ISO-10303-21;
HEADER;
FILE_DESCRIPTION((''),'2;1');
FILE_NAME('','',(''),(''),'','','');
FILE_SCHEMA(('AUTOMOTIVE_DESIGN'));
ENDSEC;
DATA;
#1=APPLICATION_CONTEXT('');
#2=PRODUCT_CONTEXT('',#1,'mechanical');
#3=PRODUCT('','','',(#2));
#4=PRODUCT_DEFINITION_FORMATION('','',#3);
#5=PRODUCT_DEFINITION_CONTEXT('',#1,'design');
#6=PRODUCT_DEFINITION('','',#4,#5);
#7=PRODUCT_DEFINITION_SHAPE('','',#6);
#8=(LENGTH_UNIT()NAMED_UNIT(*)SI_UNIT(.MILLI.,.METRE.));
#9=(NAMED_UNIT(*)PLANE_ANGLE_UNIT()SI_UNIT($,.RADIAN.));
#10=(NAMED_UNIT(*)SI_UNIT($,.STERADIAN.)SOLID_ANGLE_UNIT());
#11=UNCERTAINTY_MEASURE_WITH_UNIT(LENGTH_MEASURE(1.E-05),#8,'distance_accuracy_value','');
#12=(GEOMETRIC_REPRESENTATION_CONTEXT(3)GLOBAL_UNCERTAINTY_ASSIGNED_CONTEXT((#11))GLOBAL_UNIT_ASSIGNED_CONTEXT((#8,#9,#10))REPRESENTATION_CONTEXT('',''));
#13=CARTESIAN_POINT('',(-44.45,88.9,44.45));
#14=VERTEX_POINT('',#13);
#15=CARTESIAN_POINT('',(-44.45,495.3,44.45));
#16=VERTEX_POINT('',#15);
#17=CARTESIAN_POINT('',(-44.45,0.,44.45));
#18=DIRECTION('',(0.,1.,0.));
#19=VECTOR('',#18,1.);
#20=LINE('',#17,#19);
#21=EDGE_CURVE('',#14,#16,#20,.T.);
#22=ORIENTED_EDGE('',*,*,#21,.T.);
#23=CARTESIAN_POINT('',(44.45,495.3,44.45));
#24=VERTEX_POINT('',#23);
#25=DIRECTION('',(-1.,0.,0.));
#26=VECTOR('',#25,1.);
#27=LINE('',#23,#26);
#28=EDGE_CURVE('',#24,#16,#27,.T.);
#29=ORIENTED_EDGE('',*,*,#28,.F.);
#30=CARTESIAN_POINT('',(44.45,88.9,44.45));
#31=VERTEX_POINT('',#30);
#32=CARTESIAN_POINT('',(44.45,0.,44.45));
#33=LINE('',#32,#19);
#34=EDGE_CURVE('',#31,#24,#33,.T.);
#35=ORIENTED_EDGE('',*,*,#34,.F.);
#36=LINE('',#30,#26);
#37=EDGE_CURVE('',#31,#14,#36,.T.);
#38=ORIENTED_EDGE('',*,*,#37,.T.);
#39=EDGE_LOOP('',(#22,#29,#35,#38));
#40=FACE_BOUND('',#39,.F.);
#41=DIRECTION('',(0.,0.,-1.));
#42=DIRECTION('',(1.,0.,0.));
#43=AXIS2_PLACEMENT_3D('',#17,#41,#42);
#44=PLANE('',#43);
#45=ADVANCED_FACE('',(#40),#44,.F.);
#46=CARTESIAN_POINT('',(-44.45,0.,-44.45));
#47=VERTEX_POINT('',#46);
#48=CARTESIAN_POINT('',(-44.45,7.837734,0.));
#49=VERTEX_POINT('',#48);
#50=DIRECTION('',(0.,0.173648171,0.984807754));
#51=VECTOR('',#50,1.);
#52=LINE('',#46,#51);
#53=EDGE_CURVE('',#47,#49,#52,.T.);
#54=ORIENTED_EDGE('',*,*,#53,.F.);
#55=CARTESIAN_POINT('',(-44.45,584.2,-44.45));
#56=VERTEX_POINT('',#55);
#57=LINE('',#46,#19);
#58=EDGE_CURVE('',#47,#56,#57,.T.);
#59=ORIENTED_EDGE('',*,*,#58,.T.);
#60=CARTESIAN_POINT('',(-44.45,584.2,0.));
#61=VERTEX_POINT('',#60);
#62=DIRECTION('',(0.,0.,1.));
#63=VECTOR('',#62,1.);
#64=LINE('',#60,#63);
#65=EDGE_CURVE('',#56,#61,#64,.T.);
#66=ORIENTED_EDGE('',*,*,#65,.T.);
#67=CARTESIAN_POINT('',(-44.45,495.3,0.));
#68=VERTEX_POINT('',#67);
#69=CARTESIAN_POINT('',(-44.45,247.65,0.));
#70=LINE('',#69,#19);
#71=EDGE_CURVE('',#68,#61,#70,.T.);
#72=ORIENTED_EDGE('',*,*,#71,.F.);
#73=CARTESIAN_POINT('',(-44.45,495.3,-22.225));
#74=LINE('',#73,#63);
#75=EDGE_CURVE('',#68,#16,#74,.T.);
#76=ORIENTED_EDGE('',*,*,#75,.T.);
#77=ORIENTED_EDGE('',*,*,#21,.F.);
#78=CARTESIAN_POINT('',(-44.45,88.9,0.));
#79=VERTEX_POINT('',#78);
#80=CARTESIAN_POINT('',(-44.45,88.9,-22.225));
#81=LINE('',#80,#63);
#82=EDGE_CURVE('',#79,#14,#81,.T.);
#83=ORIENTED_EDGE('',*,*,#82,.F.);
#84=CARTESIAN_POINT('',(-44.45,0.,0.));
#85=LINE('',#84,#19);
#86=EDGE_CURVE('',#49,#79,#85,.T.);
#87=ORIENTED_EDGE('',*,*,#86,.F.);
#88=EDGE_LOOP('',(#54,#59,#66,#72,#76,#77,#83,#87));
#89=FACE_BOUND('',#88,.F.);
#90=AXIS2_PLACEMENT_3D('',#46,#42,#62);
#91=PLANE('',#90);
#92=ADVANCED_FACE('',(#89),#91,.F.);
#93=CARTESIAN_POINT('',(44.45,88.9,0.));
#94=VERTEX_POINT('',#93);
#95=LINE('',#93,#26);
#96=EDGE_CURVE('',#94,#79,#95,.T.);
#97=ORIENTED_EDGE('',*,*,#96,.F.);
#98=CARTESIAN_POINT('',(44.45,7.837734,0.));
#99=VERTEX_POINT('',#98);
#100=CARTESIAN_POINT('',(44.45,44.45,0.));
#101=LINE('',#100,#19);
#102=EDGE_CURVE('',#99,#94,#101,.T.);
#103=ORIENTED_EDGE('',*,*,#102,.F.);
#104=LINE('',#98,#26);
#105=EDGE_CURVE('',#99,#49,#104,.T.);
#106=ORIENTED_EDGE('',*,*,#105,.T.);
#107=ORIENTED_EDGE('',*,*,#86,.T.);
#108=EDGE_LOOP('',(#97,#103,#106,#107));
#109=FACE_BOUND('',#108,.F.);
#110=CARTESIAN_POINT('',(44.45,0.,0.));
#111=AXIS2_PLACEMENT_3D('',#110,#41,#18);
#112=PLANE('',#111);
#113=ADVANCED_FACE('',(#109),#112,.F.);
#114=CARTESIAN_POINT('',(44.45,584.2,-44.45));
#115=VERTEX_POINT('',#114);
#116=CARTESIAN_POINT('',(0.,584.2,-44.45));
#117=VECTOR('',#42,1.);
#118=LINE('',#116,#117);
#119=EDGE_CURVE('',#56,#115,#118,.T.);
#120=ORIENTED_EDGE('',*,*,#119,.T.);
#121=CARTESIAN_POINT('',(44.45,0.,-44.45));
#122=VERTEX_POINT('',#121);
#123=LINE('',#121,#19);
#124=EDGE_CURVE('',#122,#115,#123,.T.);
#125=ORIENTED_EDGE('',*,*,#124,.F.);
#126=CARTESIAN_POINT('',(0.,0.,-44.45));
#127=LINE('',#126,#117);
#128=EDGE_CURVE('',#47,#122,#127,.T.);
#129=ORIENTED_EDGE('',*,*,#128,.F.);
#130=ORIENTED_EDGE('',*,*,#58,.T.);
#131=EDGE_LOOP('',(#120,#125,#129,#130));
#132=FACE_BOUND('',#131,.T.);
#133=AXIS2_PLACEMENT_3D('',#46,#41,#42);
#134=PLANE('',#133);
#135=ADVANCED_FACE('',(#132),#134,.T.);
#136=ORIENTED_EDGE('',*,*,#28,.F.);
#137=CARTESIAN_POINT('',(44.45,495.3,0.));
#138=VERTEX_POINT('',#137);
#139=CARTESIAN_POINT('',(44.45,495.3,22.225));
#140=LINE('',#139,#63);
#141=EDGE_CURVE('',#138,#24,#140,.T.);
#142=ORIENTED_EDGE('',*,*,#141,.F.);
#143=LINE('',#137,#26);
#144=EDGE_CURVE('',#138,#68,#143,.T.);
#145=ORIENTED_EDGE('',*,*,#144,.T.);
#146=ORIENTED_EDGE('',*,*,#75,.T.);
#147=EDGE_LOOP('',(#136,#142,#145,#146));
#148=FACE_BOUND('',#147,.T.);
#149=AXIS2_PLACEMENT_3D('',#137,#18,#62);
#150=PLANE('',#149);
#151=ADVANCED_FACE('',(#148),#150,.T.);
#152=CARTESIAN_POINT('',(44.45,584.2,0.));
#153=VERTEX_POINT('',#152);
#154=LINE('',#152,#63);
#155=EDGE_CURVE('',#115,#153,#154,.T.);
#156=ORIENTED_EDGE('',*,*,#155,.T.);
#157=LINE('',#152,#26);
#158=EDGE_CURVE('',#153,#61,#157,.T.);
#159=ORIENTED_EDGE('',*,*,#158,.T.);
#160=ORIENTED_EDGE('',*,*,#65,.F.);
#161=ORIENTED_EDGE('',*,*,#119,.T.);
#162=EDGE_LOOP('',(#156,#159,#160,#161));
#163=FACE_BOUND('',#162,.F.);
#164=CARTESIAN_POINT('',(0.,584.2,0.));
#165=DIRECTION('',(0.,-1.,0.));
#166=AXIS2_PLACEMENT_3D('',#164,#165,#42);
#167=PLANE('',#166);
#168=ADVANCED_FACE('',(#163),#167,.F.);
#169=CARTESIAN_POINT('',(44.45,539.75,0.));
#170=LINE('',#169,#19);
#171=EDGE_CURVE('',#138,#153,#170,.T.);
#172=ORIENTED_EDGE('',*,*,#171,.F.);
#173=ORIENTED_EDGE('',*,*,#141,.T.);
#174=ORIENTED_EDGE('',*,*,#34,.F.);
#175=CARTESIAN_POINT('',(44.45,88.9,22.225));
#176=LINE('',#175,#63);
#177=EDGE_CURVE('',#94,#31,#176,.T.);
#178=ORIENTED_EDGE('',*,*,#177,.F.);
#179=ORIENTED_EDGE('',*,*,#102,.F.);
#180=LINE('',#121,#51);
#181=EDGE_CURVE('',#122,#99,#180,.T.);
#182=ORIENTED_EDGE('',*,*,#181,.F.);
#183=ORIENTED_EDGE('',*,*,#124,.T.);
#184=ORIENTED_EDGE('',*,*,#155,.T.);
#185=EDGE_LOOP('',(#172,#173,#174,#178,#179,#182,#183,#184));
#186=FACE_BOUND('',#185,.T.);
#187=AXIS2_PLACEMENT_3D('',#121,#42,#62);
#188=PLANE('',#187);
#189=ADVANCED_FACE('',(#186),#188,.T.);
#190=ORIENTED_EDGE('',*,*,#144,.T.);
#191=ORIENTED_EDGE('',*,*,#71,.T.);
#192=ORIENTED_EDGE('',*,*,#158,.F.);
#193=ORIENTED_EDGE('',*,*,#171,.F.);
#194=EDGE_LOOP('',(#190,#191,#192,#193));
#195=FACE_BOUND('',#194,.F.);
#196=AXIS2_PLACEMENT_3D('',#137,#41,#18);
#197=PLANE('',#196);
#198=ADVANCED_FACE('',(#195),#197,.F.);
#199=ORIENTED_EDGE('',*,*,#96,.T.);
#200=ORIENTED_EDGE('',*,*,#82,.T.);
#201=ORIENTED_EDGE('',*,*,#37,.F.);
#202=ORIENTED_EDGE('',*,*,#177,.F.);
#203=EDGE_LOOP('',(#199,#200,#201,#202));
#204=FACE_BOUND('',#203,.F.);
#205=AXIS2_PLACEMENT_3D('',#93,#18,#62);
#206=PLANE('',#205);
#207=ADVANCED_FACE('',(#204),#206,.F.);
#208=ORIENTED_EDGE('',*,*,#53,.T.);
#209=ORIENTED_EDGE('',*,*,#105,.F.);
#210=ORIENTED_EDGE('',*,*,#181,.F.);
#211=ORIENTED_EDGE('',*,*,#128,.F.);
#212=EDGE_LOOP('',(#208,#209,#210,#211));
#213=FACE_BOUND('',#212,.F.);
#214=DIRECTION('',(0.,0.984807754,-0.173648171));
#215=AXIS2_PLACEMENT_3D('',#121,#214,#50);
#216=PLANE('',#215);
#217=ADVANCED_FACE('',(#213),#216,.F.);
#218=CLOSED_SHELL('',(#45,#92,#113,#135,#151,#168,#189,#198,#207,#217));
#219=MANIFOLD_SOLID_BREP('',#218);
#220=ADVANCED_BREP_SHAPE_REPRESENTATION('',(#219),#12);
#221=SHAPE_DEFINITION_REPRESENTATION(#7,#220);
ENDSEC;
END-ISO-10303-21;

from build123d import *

# Parameters (mm, degrees)
F0_W     = 88.9
F0_H     = 88.9
F1_DEPTH = 584.2
F2_W     = 88.9
F2_H     = 44.45
F3_DEPTH = 88.901
F5_DEPTH = 88.901


with BuildPart() as f1:
    # F0 (on Front) → F1 (new body)
    with BuildSketch(Plane.XZ):
        Rectangle(F0_W, F0_H)
    extrude(amount=-F1_DEPTH)

    # F2 (on face) → F3 (cut, through all)
    with BuildSketch(Plane.YZ.offset(44.45)):
        with Locations((44.45, 22.225)):
            Rectangle(F2_W, F2_H)
        with Locations((539.75, 22.225)):
            Rectangle(F2_W, F2_H)
    extrude(amount=-F3_DEPTH, mode=Mode.SUBTRACT)

    # F4 (on face) → F5 (cut, through all)
    with BuildSketch(Plane.YZ.offset(44.45)):
        Polygon((0, 0), (0, -44.45), (7.837734, 0), align=None)
    extrude(amount=-F5_DEPTH, mode=Mode.SUBTRACT)


solid = f1.part
